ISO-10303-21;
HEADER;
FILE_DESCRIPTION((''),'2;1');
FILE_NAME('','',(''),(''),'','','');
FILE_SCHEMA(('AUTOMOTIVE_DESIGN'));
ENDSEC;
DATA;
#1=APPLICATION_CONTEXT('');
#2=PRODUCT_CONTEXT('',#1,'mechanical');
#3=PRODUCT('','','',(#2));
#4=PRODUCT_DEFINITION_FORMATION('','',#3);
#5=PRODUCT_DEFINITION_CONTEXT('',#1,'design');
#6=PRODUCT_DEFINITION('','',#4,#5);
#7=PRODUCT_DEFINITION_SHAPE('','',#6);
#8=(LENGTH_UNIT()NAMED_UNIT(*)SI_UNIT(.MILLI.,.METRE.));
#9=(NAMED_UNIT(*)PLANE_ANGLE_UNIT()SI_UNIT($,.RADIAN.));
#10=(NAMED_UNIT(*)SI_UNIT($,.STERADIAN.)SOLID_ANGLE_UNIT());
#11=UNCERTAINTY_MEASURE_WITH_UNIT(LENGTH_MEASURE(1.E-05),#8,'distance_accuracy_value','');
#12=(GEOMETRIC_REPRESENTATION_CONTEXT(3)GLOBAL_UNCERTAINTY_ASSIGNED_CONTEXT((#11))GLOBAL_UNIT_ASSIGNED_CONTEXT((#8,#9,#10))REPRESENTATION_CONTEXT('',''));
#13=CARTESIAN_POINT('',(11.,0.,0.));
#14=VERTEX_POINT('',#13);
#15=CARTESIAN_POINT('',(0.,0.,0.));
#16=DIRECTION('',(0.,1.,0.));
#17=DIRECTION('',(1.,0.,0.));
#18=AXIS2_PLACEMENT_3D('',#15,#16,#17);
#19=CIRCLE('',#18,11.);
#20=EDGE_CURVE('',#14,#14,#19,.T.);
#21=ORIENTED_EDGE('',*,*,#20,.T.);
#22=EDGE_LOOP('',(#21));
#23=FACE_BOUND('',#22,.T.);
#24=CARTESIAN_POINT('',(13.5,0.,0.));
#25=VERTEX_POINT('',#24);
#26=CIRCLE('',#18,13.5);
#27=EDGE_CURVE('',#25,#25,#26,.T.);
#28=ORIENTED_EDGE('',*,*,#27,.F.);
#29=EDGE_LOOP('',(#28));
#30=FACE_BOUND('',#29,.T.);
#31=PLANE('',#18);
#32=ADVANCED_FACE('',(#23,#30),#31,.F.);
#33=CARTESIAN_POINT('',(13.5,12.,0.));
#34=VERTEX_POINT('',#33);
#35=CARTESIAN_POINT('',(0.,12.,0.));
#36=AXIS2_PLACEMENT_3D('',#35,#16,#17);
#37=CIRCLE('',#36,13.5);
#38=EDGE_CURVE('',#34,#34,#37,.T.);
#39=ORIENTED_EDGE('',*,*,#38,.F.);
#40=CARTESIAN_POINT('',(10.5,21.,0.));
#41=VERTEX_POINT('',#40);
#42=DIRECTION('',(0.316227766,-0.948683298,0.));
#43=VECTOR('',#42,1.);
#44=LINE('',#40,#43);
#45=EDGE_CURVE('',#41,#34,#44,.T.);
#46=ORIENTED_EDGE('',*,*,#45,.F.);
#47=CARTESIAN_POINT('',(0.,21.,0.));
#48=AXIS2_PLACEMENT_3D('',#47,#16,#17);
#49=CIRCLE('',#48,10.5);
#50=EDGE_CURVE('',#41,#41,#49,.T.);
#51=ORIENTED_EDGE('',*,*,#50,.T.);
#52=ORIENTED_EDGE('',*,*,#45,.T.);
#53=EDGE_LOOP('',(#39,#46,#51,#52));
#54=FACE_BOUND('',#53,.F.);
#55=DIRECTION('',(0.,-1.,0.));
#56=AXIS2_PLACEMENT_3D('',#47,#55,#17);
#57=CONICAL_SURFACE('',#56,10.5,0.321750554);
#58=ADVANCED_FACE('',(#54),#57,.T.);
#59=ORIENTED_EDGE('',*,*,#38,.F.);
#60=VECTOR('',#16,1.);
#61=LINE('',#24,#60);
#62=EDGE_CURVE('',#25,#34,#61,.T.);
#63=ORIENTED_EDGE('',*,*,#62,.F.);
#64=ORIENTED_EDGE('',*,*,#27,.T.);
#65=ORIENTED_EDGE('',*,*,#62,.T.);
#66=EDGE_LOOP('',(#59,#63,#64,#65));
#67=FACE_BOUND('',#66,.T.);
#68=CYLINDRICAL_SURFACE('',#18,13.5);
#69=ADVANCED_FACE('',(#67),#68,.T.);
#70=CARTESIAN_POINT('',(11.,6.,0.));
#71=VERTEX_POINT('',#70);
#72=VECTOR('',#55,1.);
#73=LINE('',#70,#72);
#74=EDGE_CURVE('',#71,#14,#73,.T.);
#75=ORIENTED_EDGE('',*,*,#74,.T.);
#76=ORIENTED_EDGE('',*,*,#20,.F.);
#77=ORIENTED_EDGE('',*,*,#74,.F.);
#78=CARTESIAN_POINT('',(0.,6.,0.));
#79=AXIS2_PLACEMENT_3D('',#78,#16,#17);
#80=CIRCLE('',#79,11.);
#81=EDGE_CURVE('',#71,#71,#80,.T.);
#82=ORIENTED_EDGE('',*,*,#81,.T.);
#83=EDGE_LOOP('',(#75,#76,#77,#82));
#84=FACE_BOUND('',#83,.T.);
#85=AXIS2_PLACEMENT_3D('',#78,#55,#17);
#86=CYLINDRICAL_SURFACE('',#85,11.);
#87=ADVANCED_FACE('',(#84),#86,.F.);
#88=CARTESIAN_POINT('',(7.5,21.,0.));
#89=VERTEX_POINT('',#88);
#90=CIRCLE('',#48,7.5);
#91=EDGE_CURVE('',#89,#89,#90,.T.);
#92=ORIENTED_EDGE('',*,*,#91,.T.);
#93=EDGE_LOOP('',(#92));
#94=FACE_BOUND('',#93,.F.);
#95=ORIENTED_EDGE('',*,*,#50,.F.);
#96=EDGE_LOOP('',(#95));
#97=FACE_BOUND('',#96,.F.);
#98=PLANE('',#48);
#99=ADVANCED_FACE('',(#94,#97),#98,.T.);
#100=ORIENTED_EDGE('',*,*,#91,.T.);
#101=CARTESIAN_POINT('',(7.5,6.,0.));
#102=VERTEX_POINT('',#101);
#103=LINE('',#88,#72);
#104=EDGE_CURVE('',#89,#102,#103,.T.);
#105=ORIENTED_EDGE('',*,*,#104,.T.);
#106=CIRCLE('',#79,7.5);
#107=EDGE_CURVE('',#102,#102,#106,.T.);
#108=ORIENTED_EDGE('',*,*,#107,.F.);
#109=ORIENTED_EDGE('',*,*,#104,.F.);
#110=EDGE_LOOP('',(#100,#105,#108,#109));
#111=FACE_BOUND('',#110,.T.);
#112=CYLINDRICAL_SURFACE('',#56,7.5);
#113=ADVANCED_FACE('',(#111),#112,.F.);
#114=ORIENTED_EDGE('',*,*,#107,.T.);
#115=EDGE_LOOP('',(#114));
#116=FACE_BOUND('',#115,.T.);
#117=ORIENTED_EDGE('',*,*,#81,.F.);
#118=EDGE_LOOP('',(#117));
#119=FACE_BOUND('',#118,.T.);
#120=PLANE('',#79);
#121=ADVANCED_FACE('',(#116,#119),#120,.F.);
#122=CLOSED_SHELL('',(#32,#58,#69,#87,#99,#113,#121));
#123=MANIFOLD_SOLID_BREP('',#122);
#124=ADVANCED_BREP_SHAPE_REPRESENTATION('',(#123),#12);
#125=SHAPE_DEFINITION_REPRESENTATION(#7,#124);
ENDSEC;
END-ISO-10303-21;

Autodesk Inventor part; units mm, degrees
ref_plane "YZ Plane" through (0, 0, 0) normal (1, 0, 0) x (0, 1, 0)
ref_plane "XZ Plane" through (0, 0, 0) normal (0, 1, 0) x (-1, 0, 0)
ref_plane "XY Plane" through (0, 0, 0) normal (0, 0, 1) x (1, 0, 0)
ref_plane "作業平面1" through (-45.0235, 27.1998, 9.5426) normal (0, 0, 1) x (1, 0, 0)
sketch "スケッチ2" plane through (0, 0, 0) normal (0, 0, 1) x (1, 0, 0)
  line L0 (7.5, 21) -> (7.5, 6)
  line L1 (7.5, 6) -> (11, 6)
  line L2 (11, 6) -> (11, 0)
  line L3 (11, 0) -> (13.5, 0)
  line L4 (13.5, 0) -> (13.5, 12)
  line L5 (-2.7, 0) -> (16.2, 0) projected
  line L6 (0, -4.2) -> (0, 25.2) projected
  line L7 (7.5, 21) -> (10.5, 21)
  line L8 (10.5, 21) -> (13.5, 12)
  point P0 (0, 0)
  point P1 (11, 3)
  dimension "d5" = 11
  dimension "d6" = 6
  dimension "d8" = 7.5
  dimension "d9" = 2.5
  dimension "d10" = 12
  dimension "d11" = 15
  dimension "d13" = 3
revolve "回転1" add sketch "スケッチ2" angle 360 about axis through (0, -10, 0) along (0, 1, 0)
properties part number "LimitedView_Parts"
